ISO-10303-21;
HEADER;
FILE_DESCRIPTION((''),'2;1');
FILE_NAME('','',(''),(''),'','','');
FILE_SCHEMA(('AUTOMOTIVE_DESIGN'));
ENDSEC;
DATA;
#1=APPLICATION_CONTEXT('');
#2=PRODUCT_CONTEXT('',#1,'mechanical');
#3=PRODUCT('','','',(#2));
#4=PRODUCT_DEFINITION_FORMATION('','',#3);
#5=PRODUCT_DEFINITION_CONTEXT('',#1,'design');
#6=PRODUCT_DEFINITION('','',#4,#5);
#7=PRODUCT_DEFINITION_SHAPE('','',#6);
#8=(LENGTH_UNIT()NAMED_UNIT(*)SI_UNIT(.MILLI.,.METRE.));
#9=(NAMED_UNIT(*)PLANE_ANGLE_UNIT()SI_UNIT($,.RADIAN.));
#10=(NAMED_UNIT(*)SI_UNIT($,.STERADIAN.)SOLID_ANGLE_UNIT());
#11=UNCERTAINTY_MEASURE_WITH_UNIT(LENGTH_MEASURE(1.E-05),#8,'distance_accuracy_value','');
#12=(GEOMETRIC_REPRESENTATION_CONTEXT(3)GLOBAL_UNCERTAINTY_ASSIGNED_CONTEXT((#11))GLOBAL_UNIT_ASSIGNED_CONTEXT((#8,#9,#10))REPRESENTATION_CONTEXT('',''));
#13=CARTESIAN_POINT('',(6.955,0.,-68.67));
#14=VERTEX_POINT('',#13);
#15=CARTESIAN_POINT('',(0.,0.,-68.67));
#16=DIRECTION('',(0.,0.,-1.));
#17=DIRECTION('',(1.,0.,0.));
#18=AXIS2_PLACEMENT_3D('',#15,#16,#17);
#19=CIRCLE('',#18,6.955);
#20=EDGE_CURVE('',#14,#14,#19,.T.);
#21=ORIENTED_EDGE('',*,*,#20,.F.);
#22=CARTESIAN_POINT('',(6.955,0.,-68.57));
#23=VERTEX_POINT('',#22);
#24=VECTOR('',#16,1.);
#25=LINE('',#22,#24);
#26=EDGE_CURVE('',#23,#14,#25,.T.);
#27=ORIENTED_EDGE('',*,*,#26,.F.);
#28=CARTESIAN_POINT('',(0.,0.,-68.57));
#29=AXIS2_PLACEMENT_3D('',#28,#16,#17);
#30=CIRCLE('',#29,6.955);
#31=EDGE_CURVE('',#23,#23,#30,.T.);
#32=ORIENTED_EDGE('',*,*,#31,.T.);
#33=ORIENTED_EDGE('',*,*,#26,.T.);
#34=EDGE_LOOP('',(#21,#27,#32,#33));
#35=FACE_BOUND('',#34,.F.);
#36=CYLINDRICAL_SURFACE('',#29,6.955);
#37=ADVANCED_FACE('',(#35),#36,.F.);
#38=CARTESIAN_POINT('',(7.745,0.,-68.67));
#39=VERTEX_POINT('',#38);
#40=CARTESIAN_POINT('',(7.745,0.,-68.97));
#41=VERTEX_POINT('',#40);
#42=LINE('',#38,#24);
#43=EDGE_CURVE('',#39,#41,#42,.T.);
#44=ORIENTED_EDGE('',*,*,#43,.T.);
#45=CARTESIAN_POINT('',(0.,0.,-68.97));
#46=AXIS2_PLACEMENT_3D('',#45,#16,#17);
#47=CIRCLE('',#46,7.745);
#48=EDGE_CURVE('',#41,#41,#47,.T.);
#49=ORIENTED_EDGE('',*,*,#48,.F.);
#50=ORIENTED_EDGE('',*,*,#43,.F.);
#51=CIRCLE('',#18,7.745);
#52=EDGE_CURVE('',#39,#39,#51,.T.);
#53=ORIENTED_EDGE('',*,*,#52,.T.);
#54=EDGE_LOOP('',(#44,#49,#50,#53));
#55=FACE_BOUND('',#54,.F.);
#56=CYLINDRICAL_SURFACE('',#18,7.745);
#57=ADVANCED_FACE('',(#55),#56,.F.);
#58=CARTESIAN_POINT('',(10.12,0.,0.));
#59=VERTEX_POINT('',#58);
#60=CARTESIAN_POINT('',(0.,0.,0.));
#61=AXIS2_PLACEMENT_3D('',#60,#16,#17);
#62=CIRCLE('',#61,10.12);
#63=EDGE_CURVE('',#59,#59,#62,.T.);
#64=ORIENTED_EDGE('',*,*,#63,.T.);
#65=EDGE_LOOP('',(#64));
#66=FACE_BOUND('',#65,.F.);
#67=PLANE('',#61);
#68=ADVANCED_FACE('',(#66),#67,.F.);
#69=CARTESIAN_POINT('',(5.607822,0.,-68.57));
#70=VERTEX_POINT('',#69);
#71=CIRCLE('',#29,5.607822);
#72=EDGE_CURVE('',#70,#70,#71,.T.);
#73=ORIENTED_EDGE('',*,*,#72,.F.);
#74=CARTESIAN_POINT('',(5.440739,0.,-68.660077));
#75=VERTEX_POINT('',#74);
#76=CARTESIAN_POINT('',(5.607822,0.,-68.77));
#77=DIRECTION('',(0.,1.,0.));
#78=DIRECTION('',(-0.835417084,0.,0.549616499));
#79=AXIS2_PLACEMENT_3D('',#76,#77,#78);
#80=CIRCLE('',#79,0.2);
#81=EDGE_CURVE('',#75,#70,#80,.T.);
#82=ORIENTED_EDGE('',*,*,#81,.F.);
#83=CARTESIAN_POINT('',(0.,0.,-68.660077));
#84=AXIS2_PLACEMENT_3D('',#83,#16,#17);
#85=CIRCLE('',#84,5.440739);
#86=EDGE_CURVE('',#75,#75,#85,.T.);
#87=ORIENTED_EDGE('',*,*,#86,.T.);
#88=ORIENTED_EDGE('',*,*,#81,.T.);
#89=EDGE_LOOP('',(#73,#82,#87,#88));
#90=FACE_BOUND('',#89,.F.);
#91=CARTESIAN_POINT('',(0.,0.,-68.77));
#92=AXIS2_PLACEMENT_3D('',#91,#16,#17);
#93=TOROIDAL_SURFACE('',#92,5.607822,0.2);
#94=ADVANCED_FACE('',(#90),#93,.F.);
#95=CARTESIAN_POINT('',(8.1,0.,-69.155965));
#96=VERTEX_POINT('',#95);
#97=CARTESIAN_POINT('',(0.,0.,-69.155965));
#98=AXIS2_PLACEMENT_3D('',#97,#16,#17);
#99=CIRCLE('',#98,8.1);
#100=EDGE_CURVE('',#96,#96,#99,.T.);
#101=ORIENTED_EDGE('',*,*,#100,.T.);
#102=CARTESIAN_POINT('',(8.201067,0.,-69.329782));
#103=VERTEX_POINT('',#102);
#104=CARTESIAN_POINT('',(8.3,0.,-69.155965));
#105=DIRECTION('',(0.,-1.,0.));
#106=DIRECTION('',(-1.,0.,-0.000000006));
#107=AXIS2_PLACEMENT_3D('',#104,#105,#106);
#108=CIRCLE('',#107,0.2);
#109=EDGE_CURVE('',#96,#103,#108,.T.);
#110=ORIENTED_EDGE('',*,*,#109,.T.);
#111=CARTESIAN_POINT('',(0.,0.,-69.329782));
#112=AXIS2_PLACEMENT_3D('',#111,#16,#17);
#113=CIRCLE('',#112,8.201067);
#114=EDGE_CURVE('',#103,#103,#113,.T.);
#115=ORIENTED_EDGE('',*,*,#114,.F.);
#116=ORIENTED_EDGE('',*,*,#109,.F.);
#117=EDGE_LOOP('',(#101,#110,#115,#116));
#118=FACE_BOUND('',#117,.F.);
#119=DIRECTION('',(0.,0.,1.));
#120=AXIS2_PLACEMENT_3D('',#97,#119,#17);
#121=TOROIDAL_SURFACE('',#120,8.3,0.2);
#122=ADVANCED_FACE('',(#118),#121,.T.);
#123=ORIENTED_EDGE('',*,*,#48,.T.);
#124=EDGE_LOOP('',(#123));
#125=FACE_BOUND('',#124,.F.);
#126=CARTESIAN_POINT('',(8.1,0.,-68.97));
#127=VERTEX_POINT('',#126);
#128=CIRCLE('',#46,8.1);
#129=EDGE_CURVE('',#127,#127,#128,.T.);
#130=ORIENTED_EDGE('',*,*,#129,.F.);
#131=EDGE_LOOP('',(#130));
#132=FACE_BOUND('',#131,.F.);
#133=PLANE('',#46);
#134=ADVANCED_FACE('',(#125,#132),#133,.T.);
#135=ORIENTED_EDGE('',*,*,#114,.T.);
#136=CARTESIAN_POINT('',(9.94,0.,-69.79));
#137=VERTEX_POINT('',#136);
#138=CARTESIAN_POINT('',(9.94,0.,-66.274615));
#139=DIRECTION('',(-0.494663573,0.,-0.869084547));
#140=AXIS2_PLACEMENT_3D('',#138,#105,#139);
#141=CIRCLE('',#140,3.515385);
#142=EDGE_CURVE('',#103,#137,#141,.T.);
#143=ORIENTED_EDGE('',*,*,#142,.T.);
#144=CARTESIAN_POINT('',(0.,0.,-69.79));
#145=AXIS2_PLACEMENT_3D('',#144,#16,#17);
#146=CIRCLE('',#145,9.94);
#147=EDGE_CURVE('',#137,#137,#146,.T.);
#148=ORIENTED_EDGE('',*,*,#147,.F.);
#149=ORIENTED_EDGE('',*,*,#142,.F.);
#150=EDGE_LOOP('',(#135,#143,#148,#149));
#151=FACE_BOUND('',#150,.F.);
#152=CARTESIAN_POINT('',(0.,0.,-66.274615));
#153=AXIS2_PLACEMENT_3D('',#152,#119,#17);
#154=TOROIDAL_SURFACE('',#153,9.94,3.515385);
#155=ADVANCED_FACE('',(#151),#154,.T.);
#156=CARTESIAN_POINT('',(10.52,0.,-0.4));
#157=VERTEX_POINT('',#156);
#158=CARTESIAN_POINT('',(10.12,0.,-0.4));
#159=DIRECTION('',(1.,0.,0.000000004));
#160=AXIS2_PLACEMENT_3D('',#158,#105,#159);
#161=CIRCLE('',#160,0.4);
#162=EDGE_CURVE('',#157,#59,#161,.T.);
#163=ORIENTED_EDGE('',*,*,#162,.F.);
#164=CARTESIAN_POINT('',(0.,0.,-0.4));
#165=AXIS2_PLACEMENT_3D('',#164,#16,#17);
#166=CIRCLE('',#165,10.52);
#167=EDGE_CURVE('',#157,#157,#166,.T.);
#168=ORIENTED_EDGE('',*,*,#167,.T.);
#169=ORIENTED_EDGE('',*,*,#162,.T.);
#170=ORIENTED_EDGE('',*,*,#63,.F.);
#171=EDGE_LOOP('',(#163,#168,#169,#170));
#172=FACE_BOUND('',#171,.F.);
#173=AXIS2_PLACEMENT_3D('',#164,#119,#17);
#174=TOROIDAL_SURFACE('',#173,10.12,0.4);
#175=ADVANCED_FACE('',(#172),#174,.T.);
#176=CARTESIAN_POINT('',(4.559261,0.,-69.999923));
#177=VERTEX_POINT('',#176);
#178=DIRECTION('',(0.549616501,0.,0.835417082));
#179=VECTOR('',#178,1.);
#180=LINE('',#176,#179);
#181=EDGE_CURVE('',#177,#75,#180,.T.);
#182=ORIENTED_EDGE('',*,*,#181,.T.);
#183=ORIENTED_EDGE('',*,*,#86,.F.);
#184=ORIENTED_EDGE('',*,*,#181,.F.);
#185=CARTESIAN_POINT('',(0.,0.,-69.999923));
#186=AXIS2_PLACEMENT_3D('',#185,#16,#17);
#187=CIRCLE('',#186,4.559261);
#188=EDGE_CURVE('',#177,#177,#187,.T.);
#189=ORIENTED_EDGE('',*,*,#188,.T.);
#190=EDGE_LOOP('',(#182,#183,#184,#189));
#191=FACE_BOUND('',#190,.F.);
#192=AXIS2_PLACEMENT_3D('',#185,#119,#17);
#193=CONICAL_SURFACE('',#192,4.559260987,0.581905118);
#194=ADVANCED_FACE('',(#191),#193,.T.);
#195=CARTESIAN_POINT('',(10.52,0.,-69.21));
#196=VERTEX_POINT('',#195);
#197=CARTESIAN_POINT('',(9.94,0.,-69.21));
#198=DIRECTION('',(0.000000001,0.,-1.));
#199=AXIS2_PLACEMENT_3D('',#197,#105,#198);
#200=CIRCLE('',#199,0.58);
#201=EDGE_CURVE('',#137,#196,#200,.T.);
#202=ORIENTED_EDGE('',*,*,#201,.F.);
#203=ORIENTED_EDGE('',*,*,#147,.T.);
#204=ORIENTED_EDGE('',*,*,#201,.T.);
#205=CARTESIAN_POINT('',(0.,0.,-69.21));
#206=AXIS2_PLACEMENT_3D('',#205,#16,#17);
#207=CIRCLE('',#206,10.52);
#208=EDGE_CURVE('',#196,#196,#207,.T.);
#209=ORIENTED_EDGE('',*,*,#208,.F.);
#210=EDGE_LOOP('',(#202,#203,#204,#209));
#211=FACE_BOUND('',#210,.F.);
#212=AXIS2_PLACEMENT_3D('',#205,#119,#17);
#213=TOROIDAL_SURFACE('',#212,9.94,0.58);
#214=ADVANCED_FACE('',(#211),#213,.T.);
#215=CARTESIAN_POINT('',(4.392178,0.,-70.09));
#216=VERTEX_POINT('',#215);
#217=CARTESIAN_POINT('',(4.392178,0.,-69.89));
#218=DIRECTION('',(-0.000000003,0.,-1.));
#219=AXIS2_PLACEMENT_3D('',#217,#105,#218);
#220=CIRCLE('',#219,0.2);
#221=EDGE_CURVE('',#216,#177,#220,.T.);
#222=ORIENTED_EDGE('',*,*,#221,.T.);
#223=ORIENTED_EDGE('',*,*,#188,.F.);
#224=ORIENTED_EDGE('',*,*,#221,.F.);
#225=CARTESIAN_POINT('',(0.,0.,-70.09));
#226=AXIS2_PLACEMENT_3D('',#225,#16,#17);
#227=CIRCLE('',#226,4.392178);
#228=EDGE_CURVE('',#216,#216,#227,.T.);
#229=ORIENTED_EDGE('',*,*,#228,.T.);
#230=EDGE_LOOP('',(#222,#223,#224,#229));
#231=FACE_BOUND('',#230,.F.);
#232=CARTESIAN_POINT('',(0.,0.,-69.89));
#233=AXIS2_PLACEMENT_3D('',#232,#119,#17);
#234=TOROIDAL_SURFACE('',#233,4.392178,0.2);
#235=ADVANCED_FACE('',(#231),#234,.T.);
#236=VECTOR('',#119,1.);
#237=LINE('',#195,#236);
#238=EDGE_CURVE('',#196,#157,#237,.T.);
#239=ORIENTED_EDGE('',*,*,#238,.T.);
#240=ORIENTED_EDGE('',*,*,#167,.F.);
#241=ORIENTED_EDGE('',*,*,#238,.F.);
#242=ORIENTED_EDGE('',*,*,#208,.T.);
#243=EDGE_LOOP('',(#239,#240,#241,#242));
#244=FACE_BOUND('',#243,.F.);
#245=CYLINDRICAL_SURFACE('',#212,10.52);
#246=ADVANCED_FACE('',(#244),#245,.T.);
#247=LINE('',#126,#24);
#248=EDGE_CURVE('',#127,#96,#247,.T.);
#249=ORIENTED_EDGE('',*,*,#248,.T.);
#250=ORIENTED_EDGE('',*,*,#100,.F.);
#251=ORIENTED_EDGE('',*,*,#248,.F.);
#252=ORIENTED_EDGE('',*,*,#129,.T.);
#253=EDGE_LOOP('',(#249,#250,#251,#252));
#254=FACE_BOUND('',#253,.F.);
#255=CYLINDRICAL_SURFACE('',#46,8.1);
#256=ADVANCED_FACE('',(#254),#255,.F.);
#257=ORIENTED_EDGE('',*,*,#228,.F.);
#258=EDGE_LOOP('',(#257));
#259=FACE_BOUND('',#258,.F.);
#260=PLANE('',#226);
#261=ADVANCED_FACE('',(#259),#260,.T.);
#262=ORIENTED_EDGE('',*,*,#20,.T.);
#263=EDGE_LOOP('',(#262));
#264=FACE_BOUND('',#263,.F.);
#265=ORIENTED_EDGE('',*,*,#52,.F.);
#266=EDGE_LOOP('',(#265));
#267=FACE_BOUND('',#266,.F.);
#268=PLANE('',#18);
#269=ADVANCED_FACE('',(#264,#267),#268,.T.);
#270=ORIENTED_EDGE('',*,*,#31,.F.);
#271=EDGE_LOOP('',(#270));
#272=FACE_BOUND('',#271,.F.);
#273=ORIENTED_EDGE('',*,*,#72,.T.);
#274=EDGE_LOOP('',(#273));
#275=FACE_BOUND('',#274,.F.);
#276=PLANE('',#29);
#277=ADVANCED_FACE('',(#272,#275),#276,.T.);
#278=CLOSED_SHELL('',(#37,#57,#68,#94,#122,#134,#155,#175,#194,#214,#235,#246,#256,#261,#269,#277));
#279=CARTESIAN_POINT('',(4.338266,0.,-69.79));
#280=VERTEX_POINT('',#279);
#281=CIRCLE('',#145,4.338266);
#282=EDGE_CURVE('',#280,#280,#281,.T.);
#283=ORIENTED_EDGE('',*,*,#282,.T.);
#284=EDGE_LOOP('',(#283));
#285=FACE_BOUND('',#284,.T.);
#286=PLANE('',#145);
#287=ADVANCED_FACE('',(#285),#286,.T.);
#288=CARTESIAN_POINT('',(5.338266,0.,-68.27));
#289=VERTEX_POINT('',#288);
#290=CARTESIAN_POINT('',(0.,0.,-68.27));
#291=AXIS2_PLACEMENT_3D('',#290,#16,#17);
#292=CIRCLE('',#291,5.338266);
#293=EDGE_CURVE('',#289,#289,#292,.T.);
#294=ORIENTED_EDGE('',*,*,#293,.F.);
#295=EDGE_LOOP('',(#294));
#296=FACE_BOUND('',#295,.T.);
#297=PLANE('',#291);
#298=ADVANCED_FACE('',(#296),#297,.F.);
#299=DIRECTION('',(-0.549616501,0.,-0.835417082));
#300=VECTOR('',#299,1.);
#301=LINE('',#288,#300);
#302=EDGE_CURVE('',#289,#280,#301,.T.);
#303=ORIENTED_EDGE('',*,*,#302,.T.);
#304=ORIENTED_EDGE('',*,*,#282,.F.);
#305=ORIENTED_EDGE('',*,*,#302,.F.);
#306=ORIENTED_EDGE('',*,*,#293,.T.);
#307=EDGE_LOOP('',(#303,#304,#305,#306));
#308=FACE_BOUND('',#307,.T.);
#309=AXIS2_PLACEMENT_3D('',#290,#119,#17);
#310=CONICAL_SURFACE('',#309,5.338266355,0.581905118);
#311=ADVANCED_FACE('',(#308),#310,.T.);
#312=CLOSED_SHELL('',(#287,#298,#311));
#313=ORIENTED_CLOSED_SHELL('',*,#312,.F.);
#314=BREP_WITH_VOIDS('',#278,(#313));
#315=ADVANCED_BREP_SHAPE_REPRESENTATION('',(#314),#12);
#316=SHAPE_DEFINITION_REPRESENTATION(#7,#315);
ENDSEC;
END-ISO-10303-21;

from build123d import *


with BuildPart() as part:
    # Sketch1 → Revolve1 (revolve)
    with BuildSketch(Plane(origin=(0, 0, 0), x_dir=(1, 0, 0), z_dir=(0, 1, 0))):
        with BuildLine():
            Line((0, 70.09), (4.39217757, 70.09))
            ThreePointArc((4.39217757, 70.09), (4.487086316, 70.066046386), (4.559260987, 69.9999233))
            Line((4.559260987, 69.9999233), (5.440739013, 68.6600767))
            ThreePointArc((5.440739013, 68.6600767), (5.512913684, 68.593953614), (5.60782243, 68.57))
            Line((5.60782243, 68.57), (6.955, 68.57))
            Line((6.955, 68.57), (6.955, 68.67))
            Line((6.955, 68.67), (7.745, 68.67))
            Line((7.745, 68.67), (7.745, 68.97))
            Line((7.745, 68.97), (8.1, 68.97))
            Line((8.1, 68.97), (8.1, 69.15596492))
            ThreePointArc((8.1, 69.15596492), (8.127103293, 69.256497147), (8.201067285, 69.32978183))
            ThreePointArc((8.201067285, 69.32978183), (9.040599123, 69.672998391), (9.94, 69.79))
            ThreePointArc((9.94, 69.79), (10.350121933, 69.620121933), (10.52, 69.21))
            Line((10.52, 69.21), (10.52, 0.4))
            ThreePointArc((10.52, 0.4), (10.402842712, 0.117157288), (10.12, 0))
            Line((10.12, 0), (0, 0))
            Line((0, 0), (0, 68.27))
            Line((0, 68.27), (5.338266355, 68.27))
            Line((5.338266355, 68.27), (4.338266355, 69.79))
            Line((4.338266355, 69.79), (0, 69.79))
            Line((0, 69.79), (0, 70.09))
        make_face()
    revolve(axis=Axis((0, 0, 0), (0, 0, -1)))


solid = part.part
